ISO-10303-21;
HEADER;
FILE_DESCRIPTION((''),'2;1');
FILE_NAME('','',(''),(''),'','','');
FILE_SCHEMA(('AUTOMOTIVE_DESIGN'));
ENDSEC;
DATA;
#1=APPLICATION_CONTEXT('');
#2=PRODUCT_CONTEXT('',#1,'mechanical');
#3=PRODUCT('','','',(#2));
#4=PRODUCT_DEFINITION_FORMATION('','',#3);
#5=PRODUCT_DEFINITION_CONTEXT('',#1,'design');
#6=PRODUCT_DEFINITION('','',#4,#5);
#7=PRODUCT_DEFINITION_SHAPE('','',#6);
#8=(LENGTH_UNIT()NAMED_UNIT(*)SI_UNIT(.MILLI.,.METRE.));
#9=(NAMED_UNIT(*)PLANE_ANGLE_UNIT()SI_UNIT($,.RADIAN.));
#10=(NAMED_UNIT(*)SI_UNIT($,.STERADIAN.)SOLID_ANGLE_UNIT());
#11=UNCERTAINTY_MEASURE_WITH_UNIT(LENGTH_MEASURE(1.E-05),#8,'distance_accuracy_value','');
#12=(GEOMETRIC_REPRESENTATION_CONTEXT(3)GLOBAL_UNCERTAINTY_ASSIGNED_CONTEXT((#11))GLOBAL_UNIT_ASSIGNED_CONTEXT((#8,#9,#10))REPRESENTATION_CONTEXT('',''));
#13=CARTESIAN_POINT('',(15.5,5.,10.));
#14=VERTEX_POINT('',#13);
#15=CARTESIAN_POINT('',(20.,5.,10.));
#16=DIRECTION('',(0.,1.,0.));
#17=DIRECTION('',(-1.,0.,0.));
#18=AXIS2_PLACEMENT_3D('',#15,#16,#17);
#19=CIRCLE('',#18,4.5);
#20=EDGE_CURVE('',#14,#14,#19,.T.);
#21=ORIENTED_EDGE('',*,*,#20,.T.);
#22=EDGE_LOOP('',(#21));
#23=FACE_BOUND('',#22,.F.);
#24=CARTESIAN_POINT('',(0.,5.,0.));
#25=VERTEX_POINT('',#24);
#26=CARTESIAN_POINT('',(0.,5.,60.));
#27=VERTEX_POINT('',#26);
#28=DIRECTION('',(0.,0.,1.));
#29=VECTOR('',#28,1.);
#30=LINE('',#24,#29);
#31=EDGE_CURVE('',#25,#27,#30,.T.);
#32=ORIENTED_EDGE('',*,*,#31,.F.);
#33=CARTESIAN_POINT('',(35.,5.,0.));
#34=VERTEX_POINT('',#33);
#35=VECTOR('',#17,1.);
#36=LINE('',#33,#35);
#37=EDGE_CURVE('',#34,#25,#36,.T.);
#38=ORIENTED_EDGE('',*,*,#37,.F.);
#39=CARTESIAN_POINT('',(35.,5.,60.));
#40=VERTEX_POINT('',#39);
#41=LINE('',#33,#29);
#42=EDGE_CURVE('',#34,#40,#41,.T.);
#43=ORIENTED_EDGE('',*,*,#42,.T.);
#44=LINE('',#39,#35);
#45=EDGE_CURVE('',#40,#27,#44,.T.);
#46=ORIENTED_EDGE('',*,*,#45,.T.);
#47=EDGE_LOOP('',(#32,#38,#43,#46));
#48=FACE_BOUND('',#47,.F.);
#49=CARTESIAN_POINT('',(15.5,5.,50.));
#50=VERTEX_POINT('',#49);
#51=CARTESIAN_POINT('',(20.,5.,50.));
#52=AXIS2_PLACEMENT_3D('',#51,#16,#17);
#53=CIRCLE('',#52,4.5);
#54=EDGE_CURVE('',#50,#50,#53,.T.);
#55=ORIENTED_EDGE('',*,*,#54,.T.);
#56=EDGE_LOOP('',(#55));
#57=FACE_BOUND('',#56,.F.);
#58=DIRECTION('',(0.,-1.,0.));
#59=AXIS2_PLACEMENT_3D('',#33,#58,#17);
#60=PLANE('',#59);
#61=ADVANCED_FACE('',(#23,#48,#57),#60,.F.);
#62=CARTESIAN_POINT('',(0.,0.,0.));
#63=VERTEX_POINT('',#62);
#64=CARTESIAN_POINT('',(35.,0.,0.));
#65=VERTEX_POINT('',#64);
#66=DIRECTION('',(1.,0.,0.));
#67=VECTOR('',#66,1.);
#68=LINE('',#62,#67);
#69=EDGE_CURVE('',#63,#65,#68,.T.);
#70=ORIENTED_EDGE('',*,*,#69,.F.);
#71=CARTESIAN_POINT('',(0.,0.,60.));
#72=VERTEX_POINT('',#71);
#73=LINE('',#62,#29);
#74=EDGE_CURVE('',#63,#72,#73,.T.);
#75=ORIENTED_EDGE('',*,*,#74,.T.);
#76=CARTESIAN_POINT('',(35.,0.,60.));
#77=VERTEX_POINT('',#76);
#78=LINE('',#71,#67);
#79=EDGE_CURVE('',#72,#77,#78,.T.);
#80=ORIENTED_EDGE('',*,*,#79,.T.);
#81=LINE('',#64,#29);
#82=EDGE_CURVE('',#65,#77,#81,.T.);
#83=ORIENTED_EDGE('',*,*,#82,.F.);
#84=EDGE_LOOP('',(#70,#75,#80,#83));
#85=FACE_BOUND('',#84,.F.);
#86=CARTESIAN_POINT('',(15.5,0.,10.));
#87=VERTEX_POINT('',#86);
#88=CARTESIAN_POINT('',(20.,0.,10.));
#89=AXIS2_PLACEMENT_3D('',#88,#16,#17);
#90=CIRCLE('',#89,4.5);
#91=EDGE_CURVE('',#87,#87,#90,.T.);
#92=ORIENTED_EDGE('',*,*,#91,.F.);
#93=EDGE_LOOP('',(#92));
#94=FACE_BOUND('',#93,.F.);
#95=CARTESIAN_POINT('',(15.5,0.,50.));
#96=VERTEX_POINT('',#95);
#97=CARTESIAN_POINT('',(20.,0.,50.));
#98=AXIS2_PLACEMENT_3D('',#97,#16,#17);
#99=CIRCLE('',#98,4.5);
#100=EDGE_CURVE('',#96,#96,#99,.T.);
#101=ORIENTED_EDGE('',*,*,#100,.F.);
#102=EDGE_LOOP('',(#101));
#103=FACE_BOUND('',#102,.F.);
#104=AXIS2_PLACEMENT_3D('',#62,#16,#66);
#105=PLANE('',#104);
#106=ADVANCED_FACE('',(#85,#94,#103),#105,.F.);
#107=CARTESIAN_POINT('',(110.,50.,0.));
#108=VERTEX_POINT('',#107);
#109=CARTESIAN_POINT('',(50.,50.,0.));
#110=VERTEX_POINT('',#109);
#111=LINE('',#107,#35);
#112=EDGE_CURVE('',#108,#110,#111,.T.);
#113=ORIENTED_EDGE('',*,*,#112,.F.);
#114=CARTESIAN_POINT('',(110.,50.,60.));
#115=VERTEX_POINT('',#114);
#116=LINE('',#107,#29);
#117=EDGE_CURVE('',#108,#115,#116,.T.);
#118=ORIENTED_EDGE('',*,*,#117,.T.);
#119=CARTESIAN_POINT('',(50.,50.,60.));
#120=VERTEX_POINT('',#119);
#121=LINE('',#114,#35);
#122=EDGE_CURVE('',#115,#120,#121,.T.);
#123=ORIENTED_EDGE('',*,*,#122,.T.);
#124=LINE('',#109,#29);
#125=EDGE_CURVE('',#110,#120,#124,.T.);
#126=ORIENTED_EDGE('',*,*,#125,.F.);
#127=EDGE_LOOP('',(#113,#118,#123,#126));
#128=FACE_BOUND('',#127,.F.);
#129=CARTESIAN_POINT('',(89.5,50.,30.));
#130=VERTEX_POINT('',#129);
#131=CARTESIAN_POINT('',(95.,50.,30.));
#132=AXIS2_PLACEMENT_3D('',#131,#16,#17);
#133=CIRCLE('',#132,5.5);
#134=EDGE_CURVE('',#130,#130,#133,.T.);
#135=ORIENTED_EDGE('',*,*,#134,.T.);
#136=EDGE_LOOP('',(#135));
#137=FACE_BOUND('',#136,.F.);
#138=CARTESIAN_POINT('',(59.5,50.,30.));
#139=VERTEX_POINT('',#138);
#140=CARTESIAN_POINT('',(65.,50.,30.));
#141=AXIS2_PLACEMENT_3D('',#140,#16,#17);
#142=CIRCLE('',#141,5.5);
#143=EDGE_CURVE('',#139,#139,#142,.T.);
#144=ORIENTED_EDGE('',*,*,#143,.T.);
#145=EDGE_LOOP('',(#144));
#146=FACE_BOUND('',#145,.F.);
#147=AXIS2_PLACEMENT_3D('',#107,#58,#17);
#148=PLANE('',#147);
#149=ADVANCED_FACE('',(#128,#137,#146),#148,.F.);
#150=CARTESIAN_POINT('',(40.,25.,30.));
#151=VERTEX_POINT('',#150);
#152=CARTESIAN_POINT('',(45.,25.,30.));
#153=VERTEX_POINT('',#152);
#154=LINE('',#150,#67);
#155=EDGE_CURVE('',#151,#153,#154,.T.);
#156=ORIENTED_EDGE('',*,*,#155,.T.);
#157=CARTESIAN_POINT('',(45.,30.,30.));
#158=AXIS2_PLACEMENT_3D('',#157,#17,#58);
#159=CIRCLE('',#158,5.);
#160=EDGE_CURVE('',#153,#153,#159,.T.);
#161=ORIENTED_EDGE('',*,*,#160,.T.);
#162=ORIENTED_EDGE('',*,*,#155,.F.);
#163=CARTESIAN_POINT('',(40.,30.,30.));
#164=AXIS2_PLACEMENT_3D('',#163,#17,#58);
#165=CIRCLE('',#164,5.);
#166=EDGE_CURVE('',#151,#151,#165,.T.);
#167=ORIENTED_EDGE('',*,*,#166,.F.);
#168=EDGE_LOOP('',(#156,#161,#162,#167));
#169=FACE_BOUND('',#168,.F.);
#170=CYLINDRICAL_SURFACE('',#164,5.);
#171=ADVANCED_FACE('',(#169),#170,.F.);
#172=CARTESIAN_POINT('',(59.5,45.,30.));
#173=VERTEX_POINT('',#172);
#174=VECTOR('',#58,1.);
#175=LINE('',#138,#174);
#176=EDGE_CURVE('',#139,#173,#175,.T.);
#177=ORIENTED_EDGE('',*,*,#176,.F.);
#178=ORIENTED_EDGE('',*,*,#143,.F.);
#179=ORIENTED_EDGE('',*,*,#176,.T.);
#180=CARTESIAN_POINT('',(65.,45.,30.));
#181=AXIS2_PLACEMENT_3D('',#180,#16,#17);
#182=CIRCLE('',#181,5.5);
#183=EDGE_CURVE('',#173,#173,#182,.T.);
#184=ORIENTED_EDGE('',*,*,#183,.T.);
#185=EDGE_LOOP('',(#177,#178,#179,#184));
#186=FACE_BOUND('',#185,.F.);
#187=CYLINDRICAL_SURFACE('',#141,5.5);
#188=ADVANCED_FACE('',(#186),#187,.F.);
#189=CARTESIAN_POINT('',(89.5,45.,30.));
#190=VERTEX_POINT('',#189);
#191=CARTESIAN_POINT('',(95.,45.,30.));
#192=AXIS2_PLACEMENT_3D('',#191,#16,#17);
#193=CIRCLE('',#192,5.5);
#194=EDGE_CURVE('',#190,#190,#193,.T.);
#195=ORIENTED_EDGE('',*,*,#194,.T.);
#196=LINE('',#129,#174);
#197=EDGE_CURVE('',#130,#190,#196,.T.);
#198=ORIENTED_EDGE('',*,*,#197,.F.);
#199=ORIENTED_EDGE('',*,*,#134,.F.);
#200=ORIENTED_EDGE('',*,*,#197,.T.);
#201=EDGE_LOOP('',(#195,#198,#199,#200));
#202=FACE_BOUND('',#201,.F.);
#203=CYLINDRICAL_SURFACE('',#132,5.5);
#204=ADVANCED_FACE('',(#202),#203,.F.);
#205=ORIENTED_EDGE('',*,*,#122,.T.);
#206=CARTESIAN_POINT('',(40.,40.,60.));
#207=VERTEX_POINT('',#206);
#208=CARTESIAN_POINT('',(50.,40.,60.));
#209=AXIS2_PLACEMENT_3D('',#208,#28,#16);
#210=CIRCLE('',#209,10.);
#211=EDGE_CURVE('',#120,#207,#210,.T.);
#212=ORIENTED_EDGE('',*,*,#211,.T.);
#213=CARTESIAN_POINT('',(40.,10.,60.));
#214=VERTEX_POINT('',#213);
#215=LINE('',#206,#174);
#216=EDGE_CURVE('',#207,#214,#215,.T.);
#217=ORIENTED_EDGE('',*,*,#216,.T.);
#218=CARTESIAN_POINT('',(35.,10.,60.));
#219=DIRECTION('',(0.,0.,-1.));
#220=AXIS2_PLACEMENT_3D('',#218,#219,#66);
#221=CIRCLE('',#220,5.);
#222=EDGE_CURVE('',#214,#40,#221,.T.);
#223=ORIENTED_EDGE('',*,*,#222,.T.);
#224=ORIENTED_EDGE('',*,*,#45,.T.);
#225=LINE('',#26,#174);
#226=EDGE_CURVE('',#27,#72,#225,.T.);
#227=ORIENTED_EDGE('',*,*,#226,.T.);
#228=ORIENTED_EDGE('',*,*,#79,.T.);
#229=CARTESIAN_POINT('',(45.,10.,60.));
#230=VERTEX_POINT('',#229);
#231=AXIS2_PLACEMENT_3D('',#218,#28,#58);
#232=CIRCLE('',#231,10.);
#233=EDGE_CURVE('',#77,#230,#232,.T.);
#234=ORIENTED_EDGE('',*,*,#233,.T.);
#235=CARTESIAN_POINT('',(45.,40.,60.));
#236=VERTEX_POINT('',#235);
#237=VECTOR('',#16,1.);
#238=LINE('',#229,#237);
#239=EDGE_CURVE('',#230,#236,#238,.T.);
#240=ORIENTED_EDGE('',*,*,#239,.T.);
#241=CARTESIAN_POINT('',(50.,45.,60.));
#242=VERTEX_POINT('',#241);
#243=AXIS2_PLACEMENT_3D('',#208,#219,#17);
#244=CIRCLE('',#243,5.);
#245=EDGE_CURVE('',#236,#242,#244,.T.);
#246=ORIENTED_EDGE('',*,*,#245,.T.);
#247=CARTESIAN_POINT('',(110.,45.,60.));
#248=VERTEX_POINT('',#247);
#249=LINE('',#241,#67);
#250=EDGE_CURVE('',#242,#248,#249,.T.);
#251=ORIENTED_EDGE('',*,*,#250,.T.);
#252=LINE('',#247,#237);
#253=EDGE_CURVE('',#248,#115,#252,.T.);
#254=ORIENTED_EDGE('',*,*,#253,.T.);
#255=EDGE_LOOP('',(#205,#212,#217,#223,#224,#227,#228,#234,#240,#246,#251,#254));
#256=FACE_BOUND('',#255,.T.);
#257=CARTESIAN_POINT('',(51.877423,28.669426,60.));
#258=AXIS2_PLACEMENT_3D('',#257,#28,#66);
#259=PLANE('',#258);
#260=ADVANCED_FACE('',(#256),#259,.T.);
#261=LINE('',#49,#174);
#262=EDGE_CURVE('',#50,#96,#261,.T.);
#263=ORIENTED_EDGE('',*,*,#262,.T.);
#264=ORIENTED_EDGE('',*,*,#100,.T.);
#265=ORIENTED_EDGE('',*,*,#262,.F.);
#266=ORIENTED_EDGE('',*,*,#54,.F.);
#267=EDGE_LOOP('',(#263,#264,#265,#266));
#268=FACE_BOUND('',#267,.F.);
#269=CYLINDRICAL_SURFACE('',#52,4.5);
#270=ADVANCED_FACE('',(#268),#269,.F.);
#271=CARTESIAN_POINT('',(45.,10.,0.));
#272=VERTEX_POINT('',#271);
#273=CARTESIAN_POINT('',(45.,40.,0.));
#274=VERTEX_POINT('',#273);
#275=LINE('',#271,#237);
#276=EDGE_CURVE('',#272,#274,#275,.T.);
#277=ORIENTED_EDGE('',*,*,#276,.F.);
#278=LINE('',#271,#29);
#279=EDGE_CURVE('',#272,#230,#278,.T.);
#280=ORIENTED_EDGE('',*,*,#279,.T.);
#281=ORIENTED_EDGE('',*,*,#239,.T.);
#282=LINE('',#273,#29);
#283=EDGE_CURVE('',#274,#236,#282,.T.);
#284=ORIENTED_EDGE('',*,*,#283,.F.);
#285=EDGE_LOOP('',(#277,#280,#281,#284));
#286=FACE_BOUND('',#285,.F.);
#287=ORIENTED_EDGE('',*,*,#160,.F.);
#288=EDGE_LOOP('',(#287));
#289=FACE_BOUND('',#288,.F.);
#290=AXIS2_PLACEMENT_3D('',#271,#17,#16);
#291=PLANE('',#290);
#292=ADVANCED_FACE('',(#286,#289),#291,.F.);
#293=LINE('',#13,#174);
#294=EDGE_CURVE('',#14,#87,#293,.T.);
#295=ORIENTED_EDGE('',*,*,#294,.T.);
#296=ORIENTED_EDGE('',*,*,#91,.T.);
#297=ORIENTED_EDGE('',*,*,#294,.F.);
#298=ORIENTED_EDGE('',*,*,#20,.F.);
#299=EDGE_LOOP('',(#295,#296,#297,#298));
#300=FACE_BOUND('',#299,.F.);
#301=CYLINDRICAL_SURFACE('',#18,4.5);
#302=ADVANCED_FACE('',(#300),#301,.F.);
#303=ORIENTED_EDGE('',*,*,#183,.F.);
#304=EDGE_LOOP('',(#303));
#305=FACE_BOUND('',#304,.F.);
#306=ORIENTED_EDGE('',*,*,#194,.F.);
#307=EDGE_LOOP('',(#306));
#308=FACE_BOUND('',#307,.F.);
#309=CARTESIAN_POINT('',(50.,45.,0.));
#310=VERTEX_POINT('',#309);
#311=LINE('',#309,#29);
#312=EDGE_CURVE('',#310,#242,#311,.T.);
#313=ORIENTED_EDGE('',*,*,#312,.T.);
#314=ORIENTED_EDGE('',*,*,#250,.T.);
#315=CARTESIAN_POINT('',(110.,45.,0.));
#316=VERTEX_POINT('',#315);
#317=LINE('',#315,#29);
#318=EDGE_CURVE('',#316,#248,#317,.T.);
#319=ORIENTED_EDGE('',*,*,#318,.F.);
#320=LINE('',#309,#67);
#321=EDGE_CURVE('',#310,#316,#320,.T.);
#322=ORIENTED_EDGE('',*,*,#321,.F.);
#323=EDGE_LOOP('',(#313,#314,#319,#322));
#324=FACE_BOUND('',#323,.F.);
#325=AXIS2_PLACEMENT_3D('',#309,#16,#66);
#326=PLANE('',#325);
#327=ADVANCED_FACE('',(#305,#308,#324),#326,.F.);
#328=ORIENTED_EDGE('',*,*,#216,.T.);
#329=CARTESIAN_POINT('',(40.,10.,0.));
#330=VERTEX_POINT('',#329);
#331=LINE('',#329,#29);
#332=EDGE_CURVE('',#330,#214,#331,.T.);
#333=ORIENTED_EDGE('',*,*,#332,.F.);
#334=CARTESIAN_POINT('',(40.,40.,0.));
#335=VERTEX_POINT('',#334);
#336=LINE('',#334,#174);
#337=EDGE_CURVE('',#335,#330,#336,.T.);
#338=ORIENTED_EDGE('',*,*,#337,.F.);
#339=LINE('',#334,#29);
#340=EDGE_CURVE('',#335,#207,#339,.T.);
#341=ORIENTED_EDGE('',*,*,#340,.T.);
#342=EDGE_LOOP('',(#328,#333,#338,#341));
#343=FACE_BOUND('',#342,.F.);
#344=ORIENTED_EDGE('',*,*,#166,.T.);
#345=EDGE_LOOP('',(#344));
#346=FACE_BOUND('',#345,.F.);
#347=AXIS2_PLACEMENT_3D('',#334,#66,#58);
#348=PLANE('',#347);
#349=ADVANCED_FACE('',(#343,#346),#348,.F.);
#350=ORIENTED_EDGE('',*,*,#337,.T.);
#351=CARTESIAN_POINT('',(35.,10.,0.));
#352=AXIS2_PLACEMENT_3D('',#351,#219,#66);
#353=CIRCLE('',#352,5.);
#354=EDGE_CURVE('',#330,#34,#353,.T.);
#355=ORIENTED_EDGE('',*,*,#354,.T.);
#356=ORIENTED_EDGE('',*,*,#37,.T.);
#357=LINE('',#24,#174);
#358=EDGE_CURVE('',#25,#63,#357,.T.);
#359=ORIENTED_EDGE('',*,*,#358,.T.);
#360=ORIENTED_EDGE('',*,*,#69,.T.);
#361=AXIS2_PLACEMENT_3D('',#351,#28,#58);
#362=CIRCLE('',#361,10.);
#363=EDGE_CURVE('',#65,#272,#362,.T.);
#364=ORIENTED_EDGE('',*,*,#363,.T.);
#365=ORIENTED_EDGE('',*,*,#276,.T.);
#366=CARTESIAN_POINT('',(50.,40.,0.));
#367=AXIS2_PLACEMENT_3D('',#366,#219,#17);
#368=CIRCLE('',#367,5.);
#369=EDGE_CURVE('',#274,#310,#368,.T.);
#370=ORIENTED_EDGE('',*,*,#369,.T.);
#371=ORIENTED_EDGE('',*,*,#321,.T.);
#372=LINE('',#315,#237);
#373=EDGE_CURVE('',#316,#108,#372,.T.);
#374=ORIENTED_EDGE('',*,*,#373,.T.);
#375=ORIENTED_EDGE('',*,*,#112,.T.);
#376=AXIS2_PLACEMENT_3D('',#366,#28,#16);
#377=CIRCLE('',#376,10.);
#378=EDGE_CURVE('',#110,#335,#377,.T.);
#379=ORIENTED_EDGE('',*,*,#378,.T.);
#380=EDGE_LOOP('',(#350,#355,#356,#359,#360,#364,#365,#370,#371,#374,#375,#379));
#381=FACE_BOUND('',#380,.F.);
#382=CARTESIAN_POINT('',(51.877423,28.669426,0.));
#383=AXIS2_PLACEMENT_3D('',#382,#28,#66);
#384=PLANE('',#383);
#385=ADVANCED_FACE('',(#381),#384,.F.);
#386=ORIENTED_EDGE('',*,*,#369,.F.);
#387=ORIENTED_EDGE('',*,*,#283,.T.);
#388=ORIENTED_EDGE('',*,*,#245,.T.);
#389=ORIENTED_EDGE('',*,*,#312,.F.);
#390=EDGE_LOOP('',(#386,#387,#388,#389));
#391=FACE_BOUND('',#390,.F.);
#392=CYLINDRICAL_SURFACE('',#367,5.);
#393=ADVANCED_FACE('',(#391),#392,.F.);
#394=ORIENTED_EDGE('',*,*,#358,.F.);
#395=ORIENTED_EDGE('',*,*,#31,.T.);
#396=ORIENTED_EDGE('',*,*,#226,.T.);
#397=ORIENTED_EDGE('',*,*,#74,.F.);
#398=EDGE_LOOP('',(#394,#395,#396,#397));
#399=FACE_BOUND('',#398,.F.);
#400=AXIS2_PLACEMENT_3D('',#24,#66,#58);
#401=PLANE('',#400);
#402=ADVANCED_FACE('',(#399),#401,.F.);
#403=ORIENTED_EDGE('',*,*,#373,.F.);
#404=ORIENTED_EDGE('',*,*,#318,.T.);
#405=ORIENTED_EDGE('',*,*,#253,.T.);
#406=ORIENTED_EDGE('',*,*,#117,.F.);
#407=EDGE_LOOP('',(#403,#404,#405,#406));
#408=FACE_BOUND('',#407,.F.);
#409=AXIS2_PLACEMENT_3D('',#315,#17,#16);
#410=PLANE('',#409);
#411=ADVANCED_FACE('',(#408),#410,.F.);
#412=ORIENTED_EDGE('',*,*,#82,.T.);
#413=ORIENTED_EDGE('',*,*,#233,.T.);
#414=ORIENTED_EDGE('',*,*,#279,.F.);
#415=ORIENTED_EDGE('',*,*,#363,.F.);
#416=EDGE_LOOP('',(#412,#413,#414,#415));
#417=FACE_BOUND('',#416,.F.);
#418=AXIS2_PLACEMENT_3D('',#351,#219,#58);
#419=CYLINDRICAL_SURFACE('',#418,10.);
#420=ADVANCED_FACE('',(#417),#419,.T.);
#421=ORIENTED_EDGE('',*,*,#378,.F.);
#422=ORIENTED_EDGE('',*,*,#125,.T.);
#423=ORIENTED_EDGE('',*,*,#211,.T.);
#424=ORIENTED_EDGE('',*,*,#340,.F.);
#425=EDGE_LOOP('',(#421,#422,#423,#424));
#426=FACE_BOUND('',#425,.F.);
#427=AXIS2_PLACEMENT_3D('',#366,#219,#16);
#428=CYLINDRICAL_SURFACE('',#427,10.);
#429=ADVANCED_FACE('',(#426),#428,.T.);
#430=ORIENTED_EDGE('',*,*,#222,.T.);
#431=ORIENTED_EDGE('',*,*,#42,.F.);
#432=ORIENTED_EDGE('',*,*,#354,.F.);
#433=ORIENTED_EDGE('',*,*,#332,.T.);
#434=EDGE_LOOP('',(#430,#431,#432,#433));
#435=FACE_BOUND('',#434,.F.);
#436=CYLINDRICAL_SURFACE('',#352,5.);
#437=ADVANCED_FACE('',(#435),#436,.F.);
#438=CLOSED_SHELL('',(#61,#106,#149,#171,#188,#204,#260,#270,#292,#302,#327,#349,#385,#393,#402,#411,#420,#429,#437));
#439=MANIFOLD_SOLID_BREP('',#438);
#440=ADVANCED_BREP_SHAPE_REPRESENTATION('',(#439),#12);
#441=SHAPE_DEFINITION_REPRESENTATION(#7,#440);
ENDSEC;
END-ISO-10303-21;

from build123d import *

# Parameters (mm, degrees)
F1_DEPTH  = 60
F3_R      = 4.5
F4_DEPTH  = 25
F6_R      = 5.5
F7_DEPTH  = 25
F9_R      = 5
F10_DEPTH = 25


with BuildPart() as f1:
    # F0 (on Top) → F1 (new body)
    with BuildSketch(Plane.XY):
        with BuildLine():
            Line((0, 5), (0, 0))
            Line((0, 0), (35, 0))
            ThreePointArc((35, 0), (42.0710678119, 2.9289321881), (45, 10))
            Line((45, 10), (45, 40))
            ThreePointArc((45, 40), (46.4644660941, 43.5355339059), (50, 45))
            Line((50, 45), (110, 45))
            Line((110, 45), (110, 50))
            Line((110, 50), (50, 50))
            ThreePointArc((50, 50), (42.9289321881, 47.0710678119), (40, 40))
            Line((40, 40), (40, 10))
            ThreePointArc((40, 10), (38.5355339059, 6.4644660941), (35, 5))
            Line((35, 5), (0, 5))
        make_face()
    extrude(amount=F1_DEPTH)

    # F3 (on offset) → F4 (cut)
    with BuildSketch(Plane(origin=(0, 5, 0), x_dir=(-1, 0, 0), z_dir=(0, 1, 0))):
        with Locations((-20, 10)):
            Circle(F3_R)
        with Locations((-20, 50)):
            Circle(F3_R)
    extrude(amount=-F4_DEPTH, mode=Mode.SUBTRACT)

    # F6 (on offset) → F7 (cut)
    with BuildSketch(Plane(origin=(0, 50, 0), x_dir=(-1, 0, 0), z_dir=(0, 1, 0))):
        with Locations((-65, 30)):
            Circle(F6_R)
        with Locations((-95, 30)):
            Circle(F6_R)
    extrude(amount=-F7_DEPTH, mode=Mode.SUBTRACT)

    # F9 (on offset) → F10 (cut)
    with BuildSketch(Plane(origin=(40, 0, 0), x_dir=(0, -1, 0), z_dir=(-1, 0, 0))):
        with Locations((-30, 30)):
            Circle(F9_R)
    extrude(amount=-F10_DEPTH, mode=Mode.SUBTRACT)


solid = f1.part
